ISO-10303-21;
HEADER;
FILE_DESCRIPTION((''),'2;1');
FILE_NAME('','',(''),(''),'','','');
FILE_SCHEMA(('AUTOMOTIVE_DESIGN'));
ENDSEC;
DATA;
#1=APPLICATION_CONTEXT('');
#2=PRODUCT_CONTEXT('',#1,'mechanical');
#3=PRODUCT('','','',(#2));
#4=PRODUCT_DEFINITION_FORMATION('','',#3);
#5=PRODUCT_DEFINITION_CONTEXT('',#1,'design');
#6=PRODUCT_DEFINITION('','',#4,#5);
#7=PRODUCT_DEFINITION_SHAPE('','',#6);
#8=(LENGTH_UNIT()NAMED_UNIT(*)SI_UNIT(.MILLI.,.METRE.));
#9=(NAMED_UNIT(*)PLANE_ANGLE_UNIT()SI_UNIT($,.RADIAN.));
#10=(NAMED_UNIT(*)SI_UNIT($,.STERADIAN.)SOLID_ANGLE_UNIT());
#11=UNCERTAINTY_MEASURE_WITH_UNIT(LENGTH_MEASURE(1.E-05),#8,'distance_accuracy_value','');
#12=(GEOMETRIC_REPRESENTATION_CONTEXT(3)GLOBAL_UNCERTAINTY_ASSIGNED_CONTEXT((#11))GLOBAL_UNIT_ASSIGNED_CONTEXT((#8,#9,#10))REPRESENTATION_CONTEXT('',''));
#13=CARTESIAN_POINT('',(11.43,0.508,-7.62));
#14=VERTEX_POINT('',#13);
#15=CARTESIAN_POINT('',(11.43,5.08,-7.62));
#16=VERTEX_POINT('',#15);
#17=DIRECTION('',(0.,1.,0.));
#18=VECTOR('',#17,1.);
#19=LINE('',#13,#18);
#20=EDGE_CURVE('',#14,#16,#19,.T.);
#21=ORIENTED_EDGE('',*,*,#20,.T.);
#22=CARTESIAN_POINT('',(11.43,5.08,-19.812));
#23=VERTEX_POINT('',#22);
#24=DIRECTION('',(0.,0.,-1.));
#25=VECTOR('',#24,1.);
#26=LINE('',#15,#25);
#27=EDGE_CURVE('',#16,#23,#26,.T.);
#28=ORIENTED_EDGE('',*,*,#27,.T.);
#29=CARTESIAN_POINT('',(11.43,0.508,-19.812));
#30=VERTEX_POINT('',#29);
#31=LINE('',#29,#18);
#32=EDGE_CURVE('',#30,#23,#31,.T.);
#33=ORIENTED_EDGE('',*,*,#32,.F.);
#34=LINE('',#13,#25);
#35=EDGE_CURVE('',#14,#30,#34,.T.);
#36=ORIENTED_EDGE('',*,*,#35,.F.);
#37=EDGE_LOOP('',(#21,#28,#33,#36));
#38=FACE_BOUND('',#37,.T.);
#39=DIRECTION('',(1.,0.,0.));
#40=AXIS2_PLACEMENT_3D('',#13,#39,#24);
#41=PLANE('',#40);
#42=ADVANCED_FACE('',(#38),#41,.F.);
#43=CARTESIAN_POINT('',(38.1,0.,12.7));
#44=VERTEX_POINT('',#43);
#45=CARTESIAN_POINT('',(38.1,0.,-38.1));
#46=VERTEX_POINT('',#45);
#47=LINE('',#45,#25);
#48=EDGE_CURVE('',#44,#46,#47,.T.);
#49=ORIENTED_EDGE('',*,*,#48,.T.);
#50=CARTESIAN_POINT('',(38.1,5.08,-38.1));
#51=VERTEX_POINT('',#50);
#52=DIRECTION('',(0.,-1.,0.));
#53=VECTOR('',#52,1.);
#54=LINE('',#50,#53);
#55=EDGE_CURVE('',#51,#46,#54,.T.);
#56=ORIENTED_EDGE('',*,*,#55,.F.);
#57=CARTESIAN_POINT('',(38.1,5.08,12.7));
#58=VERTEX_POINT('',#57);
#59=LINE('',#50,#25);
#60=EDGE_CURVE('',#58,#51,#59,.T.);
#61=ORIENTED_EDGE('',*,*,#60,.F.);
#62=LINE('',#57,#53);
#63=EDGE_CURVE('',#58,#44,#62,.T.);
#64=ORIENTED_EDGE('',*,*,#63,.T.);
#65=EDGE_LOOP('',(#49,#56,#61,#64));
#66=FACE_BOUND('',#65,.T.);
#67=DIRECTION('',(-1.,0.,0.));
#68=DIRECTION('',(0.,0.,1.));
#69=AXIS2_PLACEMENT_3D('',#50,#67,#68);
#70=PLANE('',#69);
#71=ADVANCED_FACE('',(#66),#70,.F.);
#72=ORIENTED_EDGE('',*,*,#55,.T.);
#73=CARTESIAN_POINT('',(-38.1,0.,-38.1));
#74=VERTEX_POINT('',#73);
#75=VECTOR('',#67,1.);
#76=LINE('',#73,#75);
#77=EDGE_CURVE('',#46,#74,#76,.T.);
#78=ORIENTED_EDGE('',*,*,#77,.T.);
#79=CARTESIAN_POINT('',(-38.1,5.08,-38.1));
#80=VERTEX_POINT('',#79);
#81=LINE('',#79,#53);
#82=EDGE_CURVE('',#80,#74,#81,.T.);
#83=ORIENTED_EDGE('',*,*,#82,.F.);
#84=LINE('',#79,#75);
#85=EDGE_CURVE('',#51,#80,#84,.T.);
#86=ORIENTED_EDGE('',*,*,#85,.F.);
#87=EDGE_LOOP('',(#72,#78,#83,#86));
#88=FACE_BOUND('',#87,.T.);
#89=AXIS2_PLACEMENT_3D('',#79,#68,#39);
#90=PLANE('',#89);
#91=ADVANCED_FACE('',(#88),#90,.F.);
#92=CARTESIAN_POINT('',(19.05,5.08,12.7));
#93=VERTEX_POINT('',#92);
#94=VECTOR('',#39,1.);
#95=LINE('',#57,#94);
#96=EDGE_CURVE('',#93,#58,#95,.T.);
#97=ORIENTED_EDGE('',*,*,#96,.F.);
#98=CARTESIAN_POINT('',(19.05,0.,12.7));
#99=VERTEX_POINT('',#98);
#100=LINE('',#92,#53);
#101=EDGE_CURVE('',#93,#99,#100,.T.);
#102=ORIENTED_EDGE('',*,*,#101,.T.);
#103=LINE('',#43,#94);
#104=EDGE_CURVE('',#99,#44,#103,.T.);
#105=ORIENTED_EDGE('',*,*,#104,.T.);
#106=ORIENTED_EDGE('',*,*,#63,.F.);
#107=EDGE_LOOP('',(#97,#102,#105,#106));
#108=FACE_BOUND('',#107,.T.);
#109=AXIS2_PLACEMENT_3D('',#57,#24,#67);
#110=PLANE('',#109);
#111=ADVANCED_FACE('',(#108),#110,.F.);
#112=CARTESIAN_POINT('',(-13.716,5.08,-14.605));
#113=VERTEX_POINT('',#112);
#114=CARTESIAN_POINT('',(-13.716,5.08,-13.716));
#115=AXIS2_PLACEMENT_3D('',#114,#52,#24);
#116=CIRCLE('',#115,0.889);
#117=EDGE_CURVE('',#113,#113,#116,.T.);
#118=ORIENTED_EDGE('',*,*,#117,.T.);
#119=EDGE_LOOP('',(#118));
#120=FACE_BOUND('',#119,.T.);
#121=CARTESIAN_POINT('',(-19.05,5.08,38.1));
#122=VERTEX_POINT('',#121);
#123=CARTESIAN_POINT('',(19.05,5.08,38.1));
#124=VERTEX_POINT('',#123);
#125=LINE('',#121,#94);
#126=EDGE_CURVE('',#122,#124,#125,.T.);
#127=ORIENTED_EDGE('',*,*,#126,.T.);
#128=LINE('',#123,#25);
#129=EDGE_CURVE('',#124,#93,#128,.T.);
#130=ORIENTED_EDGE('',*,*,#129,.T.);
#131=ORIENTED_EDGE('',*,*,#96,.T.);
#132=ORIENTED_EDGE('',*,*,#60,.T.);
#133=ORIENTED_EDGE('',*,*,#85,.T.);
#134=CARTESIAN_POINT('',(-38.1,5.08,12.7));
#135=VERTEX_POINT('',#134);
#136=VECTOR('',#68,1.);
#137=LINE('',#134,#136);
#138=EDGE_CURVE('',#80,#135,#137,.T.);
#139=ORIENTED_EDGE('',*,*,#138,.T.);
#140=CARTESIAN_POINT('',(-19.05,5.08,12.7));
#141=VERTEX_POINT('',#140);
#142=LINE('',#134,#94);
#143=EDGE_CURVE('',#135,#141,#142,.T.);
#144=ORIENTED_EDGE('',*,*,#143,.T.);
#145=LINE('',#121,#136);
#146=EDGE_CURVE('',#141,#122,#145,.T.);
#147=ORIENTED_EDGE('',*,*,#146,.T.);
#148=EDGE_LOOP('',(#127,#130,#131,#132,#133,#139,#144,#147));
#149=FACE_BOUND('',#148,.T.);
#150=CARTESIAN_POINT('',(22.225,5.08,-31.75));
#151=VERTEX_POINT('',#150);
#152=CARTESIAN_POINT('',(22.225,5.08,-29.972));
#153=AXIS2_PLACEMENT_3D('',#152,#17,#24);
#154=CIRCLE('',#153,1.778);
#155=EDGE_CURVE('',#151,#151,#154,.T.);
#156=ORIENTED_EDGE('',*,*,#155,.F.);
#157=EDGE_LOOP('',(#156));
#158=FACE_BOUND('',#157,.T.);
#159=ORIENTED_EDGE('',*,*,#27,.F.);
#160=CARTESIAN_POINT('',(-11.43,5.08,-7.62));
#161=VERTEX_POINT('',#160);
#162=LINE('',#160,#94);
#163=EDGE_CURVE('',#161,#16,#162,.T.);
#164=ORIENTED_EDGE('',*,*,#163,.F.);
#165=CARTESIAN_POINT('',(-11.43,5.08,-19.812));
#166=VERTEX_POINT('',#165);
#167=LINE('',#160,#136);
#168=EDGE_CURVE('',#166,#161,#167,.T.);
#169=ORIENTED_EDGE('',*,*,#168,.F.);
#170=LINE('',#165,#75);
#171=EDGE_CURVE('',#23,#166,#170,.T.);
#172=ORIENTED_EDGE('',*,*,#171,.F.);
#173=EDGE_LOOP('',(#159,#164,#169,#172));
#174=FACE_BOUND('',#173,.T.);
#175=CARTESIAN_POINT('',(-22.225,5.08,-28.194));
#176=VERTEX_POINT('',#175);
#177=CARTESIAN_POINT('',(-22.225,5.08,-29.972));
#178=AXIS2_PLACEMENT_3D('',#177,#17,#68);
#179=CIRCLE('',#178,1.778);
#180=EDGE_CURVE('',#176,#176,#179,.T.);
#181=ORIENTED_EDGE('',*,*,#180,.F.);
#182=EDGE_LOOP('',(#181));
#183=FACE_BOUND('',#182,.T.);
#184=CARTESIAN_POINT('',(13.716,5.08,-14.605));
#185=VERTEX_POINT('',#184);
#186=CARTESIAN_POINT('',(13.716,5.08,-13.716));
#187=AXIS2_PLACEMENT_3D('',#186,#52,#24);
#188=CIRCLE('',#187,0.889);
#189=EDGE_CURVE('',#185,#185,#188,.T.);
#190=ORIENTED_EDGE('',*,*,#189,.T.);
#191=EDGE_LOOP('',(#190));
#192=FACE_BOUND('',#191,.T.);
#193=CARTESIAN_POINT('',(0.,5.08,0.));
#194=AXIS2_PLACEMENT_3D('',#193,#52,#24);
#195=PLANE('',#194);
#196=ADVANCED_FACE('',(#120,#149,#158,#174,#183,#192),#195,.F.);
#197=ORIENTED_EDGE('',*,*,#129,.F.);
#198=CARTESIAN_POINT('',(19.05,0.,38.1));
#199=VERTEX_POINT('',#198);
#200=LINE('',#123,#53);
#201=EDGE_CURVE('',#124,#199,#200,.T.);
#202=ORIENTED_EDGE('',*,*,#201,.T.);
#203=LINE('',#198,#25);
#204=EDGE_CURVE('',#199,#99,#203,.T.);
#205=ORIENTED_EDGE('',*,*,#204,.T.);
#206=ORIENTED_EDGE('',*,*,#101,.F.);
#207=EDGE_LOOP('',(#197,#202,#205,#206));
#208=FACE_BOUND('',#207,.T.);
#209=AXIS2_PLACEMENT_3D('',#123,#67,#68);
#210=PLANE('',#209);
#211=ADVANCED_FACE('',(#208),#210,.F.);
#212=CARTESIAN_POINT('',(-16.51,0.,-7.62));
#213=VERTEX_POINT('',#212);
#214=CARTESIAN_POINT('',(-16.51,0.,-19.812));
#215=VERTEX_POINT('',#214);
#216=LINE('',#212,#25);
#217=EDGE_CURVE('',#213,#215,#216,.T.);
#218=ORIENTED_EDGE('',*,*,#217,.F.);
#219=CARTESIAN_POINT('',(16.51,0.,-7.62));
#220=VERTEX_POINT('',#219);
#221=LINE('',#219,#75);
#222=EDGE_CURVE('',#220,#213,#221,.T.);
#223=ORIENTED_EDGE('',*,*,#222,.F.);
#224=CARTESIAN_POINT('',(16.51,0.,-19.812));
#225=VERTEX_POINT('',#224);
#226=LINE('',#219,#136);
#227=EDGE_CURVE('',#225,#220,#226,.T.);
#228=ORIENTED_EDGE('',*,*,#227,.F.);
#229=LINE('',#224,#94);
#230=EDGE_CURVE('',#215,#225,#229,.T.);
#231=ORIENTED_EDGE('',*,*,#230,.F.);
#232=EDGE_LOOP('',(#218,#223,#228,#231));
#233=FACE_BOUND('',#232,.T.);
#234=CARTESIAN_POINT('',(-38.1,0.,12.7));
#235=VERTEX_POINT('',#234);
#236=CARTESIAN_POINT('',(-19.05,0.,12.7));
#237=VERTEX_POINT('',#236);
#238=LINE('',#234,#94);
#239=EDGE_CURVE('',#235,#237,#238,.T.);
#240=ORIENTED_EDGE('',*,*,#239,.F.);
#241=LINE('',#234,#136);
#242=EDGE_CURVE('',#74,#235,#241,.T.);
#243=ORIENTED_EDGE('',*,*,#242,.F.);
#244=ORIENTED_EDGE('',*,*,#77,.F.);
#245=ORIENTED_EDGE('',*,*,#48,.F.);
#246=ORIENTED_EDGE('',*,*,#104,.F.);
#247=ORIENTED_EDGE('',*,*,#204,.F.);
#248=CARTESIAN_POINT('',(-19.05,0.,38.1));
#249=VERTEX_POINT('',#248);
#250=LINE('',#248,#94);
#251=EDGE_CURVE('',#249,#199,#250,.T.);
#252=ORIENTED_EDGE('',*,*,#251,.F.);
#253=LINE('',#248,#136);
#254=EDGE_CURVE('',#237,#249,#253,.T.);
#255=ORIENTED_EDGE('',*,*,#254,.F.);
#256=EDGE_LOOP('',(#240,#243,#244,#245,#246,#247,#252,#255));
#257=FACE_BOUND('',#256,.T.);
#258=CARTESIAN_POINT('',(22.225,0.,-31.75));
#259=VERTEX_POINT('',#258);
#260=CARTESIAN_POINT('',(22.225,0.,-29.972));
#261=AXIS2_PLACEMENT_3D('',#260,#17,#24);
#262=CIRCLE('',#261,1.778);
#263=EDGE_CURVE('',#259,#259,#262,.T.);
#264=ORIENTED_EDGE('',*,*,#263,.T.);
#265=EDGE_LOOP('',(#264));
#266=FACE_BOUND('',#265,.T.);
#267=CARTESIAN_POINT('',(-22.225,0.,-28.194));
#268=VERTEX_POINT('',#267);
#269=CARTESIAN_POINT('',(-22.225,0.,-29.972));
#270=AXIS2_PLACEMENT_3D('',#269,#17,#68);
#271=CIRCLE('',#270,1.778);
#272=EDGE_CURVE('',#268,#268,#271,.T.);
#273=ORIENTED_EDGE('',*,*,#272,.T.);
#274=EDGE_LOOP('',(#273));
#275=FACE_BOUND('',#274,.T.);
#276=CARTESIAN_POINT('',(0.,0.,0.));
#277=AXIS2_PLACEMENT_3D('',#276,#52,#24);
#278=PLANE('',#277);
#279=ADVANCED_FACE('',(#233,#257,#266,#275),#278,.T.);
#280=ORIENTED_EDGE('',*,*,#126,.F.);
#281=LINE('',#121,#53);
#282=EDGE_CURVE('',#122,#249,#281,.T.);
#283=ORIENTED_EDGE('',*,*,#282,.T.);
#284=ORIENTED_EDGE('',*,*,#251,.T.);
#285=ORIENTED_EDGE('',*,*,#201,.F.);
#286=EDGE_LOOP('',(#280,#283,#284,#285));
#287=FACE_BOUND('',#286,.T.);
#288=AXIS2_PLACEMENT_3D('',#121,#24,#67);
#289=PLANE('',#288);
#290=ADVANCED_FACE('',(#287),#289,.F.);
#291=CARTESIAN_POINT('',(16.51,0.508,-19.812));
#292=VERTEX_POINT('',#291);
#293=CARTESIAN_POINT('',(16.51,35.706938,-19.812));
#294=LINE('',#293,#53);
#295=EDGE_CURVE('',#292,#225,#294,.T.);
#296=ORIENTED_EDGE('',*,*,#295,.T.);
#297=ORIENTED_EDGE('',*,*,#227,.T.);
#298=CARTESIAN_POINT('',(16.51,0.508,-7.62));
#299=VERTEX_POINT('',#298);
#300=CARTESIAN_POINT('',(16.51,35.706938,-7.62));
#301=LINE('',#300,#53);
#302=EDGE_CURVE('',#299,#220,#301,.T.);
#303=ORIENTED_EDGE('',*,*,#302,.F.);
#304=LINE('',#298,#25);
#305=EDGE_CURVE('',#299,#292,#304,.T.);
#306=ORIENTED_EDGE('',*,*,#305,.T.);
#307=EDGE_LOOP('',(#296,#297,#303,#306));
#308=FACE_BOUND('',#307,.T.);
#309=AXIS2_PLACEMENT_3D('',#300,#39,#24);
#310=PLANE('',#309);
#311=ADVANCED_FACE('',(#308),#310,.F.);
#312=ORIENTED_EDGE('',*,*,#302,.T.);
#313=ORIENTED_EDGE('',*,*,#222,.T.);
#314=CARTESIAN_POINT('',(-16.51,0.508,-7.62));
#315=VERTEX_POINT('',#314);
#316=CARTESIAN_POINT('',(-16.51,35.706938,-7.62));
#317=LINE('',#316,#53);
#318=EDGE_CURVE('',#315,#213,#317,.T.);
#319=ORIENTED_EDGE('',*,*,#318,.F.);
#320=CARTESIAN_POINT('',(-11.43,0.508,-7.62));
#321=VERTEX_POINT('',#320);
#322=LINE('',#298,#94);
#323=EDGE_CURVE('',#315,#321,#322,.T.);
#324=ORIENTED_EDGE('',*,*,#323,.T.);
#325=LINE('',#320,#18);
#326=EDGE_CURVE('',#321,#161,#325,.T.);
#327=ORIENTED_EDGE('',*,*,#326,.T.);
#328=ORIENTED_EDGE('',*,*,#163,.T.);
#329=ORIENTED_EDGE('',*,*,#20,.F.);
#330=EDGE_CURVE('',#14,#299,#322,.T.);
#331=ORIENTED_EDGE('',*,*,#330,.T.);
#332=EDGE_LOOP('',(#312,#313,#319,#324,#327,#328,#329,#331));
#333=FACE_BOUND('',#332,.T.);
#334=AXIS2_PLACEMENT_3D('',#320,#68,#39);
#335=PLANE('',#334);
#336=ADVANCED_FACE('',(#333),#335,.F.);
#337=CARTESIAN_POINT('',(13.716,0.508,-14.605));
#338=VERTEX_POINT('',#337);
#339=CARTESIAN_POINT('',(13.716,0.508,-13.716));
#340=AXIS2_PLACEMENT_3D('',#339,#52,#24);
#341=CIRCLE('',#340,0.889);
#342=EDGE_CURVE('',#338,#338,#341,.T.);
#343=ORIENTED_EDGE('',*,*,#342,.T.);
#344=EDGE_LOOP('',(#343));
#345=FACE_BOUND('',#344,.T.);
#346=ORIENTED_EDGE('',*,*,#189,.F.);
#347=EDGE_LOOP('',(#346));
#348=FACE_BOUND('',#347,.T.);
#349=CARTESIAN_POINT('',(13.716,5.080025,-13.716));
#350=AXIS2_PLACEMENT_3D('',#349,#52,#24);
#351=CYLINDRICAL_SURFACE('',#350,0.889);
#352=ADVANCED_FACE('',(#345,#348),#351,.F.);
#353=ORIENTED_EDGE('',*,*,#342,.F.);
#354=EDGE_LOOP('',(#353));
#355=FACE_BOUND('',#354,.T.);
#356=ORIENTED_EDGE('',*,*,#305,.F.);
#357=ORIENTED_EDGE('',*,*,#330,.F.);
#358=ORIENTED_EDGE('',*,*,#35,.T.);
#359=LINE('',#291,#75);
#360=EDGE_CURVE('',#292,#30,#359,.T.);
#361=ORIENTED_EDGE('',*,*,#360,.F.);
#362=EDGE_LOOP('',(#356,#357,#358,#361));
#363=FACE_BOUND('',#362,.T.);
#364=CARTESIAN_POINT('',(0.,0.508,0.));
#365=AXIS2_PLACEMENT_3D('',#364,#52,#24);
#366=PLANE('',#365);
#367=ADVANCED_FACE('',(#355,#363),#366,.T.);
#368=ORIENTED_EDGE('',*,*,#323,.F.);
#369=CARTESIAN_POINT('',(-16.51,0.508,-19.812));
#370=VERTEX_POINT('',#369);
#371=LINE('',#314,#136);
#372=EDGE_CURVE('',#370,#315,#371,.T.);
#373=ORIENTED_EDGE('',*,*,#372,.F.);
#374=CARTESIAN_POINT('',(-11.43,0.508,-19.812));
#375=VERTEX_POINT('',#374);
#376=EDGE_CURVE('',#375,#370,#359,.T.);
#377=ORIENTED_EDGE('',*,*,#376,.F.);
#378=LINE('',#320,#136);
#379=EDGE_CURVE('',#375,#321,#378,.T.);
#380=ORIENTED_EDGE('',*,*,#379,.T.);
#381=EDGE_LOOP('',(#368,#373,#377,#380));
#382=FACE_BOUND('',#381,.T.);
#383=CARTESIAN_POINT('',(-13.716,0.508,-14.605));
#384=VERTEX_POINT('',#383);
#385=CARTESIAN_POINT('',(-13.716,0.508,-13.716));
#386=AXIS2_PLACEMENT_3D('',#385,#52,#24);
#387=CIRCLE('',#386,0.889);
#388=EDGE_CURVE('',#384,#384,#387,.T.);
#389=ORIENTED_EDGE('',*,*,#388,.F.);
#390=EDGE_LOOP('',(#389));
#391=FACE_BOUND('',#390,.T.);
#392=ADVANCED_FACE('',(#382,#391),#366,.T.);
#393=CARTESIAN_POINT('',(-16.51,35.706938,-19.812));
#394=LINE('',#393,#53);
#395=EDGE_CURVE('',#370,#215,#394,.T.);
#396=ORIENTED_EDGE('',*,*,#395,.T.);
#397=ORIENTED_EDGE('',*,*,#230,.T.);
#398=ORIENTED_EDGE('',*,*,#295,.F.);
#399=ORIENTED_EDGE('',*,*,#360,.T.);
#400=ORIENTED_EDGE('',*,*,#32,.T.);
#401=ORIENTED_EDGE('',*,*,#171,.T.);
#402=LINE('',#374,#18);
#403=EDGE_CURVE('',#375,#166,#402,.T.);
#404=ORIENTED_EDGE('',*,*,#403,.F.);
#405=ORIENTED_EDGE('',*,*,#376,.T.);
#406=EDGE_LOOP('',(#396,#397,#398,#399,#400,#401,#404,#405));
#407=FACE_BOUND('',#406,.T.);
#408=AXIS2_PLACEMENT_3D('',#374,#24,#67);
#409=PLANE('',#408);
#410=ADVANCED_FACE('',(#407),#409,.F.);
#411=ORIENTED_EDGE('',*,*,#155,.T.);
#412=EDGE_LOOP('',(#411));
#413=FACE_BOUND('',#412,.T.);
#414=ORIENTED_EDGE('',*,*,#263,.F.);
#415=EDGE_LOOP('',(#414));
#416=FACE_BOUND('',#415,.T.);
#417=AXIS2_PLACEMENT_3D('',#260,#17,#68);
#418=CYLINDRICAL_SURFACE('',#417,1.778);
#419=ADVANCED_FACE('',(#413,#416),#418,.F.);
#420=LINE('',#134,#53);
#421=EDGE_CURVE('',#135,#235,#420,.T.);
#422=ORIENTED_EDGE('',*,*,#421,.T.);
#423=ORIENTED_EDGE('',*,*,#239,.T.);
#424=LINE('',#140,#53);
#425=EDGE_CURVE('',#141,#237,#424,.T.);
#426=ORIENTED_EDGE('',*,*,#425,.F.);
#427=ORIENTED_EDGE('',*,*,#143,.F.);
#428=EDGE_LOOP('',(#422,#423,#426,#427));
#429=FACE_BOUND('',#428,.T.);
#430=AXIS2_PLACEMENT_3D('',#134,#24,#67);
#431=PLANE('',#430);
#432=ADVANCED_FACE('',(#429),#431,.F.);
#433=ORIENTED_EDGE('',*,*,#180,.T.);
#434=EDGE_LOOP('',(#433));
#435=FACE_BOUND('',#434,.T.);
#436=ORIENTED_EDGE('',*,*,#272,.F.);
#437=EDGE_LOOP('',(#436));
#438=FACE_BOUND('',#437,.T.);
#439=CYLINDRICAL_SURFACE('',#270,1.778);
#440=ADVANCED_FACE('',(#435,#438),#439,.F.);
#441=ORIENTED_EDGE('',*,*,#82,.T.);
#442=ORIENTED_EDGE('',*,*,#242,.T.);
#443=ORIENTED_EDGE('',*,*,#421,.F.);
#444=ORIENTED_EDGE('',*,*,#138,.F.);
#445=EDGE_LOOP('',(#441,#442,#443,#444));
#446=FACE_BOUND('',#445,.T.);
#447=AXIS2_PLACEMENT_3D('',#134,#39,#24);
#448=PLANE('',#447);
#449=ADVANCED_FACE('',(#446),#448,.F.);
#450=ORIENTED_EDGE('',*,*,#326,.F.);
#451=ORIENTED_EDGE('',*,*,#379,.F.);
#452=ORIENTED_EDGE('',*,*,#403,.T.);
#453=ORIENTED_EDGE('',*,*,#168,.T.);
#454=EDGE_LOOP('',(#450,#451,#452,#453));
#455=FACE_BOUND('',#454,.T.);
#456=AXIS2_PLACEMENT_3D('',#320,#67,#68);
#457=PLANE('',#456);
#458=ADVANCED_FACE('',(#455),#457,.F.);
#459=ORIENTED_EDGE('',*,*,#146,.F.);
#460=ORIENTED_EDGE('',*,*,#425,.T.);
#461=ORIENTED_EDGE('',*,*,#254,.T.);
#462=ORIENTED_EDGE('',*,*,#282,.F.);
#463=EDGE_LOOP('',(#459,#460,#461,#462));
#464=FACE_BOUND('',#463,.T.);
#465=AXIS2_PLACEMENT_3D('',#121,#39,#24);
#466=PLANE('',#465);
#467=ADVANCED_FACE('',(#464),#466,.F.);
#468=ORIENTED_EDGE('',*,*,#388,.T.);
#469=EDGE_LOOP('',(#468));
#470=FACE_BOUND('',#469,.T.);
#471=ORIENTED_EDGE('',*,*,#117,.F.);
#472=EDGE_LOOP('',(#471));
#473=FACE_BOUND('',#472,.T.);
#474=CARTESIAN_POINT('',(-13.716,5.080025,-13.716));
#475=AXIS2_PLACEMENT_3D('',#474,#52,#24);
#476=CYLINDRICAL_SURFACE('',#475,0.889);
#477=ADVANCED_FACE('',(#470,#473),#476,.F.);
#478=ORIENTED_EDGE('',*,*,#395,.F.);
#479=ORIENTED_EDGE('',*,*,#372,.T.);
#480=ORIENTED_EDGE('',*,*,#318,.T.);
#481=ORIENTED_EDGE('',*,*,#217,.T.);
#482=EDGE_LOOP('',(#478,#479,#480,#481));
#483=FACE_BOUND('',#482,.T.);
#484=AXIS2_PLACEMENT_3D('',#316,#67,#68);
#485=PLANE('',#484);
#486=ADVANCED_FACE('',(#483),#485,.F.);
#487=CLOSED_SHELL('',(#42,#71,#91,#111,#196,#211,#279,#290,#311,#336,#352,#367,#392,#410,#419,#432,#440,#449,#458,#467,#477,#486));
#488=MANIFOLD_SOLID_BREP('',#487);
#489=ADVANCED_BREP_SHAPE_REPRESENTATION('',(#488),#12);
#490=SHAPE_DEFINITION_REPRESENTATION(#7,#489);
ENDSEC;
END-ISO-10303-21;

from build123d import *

# Parameters (mm, degrees)
BOSS_EXTRUDE1_DEPTH = 5.08
SKETCH2_R           = 1.778
CUT_EXTRUDE1_DEPTH  = 55.120480412
SKETCH3_W           = 22.86
SKETCH3_H           = 12.192
CUT_EXTRUDE2_DEPTH  = 4.572
SKETCH4_W           = 33.02
SKETCH4_H           = 12.192
CUT_EXTRUDE3_DEPTH  = 0.508
SKETCH5_R           = 0.889
CUT_EXTRUDE4_DEPTH  = 55.075162358


with BuildPart() as part:
    # Sketch1 → Boss-Extrude1 (new body)
    with BuildSketch(Plane(origin=(0, 0, 0), x_dir=(1, 0, 0), z_dir=(0, 1, 0))):
        Polygon((-38.1, -12.7), (-38.1, 38.1), (38.1, 38.1), (38.1, -12.7), (19.05, -12.7), (19.05, -38.1), (-19.05, -38.1), (-19.05, -12.7), align=None)
    extrude(amount=BOSS_EXTRUDE1_DEPTH)

    # Sketch2 → Cut-Extrude1 (cut, through all)
    with BuildSketch(Plane(origin=(0, 5.08, 0), x_dir=(1, 0, 0), z_dir=(0, 1, 0))):
        with Locations(Location((-22.225, 29.972, 0), (0, 0, 270))):
            Circle(SKETCH2_R)
        with Locations(Location((22.225, 29.972, 0), (0, 0, 90))):
            Circle(SKETCH2_R)
    extrude(amount=-CUT_EXTRUDE1_DEPTH, mode=Mode.SUBTRACT)

    # Sketch3 → Cut-Extrude2 (cut)
    with BuildSketch(Plane(origin=(0, 5.08, 0), x_dir=(1, 0, 0), z_dir=(0, 1, 0))):
        with Locations((0, 13.716)):
            Rectangle(SKETCH3_W, SKETCH3_H)
    extrude(amount=-CUT_EXTRUDE2_DEPTH, mode=Mode.SUBTRACT)

    # Sketch4 → Cut-Extrude3 (cut)
    with BuildSketch(Plane.XZ):
        with Locations((0, -13.716)):
            Rectangle(SKETCH4_W, SKETCH4_H)
    extrude(amount=-CUT_EXTRUDE3_DEPTH, mode=Mode.SUBTRACT)

    # Sketch5 → Cut-Extrude4 (cut, through all)
    with BuildSketch(Plane.XZ.offset(-0.508)):
        with Locations(Location((-13.716, -13.716, 0), (0, 0, 270))):
            Circle(SKETCH5_R)
        with Locations(Location((13.716, -13.716, 0), (0, 0, 270))):
            Circle(SKETCH5_R)
    extrude(amount=-CUT_EXTRUDE4_DEPTH, mode=Mode.SUBTRACT)


solid = part.part
